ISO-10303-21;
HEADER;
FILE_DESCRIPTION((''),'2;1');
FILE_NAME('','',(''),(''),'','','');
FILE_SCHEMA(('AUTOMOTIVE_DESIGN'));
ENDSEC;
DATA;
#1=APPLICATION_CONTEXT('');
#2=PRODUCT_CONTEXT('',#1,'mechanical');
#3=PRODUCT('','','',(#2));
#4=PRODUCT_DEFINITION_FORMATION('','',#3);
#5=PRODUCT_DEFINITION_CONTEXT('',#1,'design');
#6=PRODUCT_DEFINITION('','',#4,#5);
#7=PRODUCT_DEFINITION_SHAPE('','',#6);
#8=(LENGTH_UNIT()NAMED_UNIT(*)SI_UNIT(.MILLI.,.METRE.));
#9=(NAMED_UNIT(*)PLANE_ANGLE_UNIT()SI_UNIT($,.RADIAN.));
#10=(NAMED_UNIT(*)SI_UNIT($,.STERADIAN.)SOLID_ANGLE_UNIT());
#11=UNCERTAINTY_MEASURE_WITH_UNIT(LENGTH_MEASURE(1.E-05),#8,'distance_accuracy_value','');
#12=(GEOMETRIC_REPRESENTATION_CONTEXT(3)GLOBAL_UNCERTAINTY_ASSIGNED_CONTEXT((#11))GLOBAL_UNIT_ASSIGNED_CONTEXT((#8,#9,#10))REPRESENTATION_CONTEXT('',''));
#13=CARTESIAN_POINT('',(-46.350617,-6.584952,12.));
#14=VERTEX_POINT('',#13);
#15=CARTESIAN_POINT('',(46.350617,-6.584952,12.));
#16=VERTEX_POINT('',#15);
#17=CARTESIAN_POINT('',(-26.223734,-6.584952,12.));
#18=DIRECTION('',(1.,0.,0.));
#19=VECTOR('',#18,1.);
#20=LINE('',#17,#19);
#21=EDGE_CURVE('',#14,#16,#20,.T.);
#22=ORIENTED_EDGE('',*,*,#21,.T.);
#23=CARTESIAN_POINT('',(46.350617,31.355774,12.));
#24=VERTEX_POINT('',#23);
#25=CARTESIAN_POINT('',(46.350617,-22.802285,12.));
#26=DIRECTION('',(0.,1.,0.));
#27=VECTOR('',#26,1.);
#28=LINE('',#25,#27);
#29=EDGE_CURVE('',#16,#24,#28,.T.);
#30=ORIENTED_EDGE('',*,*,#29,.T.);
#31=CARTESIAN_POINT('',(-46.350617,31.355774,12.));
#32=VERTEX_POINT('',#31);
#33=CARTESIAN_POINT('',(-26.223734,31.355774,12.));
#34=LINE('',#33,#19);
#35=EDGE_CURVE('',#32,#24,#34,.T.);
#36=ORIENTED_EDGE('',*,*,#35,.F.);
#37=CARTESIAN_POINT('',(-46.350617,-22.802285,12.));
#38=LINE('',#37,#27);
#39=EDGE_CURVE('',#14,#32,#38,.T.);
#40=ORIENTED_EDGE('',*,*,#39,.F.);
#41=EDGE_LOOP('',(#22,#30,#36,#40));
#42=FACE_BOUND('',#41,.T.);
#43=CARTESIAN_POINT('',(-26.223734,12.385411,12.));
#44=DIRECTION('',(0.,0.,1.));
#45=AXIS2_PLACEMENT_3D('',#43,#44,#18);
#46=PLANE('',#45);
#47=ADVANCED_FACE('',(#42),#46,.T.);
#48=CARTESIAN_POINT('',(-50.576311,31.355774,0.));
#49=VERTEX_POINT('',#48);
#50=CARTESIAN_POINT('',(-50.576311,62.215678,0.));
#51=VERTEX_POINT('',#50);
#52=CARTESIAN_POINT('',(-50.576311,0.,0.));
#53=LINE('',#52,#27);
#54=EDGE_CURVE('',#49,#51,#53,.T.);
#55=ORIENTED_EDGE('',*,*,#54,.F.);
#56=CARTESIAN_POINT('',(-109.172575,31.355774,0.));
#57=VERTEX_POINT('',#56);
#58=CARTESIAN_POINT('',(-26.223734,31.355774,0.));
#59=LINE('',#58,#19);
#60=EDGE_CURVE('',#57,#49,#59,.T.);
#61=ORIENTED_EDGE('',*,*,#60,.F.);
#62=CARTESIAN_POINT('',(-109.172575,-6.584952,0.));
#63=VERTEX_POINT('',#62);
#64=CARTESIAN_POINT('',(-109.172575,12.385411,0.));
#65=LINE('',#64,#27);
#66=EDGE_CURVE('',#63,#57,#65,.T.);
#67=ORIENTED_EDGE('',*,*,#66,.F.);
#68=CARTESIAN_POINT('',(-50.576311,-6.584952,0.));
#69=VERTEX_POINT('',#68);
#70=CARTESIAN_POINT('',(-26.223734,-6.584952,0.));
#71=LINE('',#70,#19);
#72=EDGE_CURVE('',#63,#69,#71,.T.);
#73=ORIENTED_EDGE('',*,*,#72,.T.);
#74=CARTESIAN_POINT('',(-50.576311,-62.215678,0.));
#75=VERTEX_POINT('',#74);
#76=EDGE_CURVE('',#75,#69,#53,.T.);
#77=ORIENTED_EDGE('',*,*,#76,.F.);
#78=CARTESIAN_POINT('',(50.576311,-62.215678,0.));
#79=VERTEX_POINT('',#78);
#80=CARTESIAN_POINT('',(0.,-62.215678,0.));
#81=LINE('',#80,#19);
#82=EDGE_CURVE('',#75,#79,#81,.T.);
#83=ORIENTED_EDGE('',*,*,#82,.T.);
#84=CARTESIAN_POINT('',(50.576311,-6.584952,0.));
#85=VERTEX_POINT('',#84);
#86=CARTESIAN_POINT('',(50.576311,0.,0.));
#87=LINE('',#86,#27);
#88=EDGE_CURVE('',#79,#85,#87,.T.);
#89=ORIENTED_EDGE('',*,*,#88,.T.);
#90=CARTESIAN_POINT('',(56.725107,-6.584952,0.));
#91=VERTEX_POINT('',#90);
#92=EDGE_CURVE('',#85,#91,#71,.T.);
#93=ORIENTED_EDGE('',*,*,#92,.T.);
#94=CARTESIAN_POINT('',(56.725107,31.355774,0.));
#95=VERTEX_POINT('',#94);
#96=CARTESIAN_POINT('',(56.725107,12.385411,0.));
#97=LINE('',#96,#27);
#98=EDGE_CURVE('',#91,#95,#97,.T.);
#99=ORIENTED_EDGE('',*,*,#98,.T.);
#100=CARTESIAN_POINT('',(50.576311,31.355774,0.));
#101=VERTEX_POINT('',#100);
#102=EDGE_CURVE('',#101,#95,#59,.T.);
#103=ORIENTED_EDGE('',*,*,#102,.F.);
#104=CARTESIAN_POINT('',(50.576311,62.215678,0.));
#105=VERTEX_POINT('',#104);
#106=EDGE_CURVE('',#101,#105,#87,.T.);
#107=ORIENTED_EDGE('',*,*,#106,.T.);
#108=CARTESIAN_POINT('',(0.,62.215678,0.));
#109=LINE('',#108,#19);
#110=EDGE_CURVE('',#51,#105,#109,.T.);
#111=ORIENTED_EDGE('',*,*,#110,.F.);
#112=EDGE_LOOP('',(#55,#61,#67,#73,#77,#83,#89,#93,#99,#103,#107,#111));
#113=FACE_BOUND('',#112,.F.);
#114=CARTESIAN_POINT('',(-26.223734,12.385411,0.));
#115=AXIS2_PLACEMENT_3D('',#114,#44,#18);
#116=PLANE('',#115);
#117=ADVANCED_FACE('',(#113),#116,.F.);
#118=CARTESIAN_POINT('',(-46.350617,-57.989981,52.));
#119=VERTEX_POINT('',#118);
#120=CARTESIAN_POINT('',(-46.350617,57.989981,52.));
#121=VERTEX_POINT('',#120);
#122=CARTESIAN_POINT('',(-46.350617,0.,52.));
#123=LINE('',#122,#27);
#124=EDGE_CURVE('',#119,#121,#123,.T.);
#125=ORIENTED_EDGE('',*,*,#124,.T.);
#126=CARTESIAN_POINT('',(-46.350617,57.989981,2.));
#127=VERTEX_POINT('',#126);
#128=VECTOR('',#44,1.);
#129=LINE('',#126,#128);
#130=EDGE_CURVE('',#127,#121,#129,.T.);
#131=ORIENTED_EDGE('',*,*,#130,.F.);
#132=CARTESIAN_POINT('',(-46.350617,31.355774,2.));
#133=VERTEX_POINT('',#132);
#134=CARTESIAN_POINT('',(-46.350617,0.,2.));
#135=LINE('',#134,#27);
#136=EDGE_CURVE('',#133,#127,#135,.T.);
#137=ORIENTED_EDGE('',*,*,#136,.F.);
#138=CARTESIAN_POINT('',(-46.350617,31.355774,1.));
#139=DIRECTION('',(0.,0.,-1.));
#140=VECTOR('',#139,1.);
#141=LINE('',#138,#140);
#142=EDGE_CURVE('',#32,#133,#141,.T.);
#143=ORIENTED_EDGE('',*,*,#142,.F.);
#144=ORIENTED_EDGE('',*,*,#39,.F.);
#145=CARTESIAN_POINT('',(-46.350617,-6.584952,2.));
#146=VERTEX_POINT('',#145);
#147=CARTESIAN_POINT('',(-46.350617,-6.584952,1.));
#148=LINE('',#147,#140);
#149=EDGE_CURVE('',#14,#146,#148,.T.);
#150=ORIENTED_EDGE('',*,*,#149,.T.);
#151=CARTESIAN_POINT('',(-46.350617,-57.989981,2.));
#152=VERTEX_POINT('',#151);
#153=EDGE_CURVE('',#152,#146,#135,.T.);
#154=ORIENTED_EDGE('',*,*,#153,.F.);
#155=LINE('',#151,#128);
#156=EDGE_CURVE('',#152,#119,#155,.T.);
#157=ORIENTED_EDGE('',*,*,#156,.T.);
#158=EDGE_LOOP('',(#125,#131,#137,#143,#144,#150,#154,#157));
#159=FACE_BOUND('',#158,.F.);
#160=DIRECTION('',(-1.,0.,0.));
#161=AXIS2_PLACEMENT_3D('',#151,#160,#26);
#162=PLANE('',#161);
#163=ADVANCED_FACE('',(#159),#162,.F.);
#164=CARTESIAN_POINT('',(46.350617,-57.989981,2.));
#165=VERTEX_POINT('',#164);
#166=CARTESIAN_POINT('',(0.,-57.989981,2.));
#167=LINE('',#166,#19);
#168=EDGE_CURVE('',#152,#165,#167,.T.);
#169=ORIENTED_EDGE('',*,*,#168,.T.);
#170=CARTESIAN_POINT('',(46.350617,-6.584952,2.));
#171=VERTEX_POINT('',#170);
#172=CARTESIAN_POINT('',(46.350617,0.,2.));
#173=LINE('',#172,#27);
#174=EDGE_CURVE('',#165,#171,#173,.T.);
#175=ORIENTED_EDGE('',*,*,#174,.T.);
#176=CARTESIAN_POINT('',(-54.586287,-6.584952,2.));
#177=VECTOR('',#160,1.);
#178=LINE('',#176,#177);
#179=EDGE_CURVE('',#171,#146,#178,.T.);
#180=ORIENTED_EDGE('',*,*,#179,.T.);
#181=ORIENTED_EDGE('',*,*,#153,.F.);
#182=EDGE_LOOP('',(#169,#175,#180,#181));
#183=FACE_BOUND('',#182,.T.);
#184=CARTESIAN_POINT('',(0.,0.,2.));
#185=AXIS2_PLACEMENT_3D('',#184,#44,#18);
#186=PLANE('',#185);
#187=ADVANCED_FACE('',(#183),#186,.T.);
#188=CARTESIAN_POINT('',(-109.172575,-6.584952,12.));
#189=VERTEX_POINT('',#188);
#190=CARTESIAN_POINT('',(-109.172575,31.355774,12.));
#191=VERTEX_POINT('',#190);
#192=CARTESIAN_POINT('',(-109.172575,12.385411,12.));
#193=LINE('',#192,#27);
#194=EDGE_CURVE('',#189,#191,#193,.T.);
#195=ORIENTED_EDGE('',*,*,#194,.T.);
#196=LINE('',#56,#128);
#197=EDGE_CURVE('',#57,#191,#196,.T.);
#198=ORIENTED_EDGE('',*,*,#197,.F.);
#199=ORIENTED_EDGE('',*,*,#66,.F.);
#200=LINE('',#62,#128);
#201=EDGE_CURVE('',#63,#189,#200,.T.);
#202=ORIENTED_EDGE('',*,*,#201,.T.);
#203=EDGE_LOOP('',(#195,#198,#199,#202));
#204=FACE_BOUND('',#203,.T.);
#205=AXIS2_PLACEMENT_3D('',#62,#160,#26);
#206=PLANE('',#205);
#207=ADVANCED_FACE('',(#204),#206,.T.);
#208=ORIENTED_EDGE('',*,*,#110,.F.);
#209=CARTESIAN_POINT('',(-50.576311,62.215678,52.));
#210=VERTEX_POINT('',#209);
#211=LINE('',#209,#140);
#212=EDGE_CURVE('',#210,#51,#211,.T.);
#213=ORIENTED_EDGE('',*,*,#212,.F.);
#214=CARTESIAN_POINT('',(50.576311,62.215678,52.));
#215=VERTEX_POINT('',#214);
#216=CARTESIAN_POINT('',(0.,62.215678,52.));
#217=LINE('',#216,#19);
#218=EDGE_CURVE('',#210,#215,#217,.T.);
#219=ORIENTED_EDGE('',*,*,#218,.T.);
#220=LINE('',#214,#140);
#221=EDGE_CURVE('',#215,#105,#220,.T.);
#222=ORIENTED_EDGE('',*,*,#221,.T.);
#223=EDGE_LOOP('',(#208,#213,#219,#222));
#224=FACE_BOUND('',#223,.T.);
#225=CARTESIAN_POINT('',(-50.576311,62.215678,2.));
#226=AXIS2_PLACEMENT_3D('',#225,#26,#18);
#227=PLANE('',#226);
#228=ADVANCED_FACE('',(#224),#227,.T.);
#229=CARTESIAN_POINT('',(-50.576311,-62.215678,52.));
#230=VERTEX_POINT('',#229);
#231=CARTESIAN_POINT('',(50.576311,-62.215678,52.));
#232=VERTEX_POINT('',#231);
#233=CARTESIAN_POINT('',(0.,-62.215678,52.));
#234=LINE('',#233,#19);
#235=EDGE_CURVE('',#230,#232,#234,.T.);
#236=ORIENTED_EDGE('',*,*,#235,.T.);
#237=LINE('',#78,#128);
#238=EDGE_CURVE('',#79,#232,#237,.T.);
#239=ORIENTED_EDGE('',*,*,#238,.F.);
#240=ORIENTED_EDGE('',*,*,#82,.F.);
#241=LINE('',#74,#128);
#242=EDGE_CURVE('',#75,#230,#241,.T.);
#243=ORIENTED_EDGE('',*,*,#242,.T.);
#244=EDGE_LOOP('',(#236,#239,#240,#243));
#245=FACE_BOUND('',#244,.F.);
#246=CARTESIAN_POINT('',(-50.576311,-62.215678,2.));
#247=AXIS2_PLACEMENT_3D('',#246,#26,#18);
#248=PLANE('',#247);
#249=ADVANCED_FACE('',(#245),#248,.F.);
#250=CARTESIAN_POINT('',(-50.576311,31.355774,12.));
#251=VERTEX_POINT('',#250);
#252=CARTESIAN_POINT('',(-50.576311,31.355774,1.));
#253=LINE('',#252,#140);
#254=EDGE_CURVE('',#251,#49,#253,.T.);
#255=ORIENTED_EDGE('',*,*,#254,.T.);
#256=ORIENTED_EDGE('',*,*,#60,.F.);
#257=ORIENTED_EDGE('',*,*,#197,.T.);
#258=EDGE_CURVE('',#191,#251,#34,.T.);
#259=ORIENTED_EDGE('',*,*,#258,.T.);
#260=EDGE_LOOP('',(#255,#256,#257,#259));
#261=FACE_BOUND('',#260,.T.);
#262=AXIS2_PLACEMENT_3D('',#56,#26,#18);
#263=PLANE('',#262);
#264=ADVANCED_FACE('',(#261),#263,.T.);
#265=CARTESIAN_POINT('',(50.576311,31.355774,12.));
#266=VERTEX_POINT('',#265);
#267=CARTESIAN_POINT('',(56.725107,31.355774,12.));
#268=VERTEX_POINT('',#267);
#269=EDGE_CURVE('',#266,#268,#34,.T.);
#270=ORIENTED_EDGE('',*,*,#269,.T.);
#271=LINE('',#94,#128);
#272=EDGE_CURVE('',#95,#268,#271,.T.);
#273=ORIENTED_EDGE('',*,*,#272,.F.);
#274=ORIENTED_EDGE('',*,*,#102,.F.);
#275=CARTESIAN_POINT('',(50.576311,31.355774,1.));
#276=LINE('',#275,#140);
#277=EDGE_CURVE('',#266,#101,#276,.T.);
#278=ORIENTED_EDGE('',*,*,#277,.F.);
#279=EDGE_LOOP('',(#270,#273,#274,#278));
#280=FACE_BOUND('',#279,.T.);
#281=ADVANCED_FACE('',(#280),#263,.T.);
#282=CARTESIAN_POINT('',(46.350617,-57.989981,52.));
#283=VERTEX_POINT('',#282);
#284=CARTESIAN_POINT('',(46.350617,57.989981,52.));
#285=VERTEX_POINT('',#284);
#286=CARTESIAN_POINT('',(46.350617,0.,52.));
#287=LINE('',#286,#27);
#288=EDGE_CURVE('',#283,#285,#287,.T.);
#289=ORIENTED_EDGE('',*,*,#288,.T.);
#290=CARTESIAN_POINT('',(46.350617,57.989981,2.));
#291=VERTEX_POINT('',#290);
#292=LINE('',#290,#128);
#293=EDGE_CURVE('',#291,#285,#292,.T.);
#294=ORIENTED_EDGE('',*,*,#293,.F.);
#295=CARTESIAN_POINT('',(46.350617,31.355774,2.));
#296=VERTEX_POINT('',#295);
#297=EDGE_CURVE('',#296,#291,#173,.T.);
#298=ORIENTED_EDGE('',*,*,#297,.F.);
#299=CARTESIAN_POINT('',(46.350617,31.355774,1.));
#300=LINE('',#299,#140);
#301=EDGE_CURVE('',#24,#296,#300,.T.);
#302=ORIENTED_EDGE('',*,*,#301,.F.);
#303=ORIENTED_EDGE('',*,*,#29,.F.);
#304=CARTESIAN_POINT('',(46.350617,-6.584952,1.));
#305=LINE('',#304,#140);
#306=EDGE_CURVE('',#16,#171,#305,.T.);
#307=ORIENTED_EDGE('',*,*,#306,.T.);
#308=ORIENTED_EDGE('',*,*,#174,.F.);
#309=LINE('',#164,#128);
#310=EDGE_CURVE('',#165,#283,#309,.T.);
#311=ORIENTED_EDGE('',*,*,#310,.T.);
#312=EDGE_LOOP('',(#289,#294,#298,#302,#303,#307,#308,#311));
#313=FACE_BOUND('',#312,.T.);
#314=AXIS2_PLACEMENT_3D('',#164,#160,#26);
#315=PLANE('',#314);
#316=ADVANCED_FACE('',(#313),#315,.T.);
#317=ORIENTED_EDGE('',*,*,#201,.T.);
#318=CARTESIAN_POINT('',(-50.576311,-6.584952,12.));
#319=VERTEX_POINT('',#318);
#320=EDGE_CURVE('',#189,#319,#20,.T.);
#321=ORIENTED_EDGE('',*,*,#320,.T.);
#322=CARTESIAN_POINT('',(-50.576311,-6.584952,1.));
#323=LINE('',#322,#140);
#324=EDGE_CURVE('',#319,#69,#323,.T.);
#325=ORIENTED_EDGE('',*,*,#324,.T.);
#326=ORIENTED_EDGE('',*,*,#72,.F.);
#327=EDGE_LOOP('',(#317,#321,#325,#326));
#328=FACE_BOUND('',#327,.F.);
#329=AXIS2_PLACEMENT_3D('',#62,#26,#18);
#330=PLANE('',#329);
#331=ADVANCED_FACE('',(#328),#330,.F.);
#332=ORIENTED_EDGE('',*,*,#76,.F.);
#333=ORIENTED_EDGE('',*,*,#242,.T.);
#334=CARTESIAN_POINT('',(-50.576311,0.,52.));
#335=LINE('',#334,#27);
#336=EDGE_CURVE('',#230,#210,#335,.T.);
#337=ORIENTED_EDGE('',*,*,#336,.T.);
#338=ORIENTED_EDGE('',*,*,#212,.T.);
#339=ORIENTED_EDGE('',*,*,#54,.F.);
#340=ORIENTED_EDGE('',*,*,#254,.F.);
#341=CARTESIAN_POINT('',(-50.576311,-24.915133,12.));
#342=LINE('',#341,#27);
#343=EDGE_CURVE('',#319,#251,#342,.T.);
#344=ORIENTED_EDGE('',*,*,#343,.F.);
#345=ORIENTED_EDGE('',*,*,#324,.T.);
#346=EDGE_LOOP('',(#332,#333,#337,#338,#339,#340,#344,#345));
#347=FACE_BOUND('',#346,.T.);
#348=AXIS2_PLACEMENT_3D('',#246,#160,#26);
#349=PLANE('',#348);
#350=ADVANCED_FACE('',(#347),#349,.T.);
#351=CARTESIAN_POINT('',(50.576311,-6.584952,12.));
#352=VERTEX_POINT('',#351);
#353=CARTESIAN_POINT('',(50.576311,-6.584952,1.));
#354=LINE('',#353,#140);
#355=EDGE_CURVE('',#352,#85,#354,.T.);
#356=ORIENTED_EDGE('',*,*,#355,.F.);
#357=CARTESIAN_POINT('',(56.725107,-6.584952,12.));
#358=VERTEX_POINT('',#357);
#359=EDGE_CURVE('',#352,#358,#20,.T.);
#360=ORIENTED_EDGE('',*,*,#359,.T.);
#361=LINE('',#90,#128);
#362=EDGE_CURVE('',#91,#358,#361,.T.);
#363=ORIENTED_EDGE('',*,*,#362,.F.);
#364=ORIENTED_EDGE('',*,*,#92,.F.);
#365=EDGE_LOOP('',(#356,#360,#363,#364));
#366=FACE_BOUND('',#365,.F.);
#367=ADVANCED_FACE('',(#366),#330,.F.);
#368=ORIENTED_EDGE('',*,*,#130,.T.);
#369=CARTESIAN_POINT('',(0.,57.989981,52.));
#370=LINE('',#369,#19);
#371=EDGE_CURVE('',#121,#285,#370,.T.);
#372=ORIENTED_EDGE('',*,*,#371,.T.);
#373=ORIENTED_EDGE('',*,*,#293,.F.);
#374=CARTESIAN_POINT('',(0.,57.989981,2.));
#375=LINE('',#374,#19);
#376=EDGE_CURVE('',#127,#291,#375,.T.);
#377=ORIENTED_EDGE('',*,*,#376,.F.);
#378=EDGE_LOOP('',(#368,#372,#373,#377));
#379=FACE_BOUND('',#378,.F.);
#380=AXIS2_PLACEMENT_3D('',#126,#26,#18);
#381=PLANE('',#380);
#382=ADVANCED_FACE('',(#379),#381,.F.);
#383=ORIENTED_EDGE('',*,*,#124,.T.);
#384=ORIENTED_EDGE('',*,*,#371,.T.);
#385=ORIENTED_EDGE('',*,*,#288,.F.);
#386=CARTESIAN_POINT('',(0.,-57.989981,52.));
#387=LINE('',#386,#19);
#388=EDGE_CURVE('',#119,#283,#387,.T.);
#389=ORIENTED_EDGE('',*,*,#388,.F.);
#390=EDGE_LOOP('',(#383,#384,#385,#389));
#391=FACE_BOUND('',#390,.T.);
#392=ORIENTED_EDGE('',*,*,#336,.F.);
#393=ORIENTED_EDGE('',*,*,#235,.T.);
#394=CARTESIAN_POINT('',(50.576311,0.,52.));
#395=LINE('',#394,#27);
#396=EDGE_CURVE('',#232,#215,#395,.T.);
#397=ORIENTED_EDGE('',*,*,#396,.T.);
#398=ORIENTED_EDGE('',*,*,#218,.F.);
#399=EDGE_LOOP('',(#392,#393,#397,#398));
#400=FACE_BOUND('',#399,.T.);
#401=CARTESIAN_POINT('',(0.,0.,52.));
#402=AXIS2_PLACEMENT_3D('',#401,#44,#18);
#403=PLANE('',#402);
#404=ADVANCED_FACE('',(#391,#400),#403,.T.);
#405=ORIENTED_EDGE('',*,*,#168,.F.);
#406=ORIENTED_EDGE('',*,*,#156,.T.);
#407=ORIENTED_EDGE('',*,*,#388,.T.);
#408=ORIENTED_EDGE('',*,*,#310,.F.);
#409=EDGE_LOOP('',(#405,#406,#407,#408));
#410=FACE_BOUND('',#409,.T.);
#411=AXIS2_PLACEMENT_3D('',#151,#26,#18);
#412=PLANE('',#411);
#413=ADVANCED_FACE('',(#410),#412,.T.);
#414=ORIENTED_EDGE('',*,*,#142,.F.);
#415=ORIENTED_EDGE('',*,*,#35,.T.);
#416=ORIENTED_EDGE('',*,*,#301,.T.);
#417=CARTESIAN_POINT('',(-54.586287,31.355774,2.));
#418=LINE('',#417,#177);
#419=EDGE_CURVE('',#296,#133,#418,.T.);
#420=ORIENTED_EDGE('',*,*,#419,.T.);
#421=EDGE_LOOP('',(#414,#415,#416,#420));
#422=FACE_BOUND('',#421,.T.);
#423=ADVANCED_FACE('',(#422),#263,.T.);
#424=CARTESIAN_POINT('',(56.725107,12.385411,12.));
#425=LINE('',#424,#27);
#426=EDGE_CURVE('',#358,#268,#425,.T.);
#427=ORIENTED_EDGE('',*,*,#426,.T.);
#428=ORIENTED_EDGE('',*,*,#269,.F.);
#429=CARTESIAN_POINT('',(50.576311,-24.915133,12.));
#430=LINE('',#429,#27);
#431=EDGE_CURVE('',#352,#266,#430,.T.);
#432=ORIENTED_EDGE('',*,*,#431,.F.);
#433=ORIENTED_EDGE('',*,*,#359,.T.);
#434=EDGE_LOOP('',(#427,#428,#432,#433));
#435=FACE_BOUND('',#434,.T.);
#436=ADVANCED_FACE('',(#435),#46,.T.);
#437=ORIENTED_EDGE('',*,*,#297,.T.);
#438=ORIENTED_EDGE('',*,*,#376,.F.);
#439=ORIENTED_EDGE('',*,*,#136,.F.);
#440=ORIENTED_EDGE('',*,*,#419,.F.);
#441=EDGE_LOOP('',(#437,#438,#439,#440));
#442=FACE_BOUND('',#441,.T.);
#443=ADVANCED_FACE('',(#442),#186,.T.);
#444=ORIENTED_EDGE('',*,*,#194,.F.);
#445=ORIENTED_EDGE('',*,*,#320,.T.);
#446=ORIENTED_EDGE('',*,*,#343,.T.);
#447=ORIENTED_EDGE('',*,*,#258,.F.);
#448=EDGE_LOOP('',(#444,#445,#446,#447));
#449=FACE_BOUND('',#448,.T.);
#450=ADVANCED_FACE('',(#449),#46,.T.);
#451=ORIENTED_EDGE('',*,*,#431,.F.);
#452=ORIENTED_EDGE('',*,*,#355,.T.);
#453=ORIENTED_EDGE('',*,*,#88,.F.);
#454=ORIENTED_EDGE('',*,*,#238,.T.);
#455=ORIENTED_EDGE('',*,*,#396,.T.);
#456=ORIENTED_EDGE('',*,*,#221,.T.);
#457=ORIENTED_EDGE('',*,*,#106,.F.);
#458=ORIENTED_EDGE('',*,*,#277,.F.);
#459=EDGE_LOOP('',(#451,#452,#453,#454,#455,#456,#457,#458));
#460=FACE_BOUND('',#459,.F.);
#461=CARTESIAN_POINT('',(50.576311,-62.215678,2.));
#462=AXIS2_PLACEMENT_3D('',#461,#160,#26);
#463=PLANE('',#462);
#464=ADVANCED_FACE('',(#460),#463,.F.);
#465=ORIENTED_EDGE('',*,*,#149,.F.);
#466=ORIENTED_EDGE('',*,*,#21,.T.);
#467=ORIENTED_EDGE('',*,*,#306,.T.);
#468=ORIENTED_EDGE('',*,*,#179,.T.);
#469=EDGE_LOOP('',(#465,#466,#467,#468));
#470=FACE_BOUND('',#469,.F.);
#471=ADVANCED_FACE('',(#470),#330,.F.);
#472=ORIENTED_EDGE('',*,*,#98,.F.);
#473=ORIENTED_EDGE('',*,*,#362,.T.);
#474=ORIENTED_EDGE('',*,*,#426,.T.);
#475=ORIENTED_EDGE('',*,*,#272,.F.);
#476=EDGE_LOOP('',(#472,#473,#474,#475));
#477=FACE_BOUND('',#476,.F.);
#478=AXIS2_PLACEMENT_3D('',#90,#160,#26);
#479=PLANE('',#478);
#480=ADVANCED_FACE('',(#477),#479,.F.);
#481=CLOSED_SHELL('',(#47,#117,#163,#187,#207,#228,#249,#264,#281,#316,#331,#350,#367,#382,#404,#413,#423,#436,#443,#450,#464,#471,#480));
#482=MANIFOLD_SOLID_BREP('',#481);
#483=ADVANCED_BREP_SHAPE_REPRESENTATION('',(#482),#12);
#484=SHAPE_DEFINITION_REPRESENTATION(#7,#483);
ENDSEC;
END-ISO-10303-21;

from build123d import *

# Parameters (mm, degrees)
F0_W     = 101.152622
F0_H     = 124.431356
F1_DEPTH = 2
F2_W     = 101.152622
F2_H     = 124.431356
F2_W_2   = 92.701234
F2_H_2   = 115.979962
F3_DEPTH = 50
F4_W     = 165.897682
F4_H     = 37.940726
F5_DEPTH = 12


with BuildPart() as f1:
    # F0 (on Top) → F1 (new body)
    with BuildSketch(Plane.XY):
        Rectangle(F0_W, F0_H)
    extrude(amount=F1_DEPTH)

    # F2 (on face) → F3 (join)
    with BuildSketch(Plane.XY.offset(2)):
        Rectangle(F2_W, F2_H)
        Rectangle(F2_W_2, F2_H_2, mode=Mode.SUBTRACT)
    extrude(amount=F3_DEPTH)

    # F4 (on Top) → F5 (join)
    with BuildSketch(Plane.XY):
        with Locations((-26.223734, 12.385411)):
            Rectangle(F4_W, F4_H)
    extrude(amount=F5_DEPTH)


solid = f1.part
